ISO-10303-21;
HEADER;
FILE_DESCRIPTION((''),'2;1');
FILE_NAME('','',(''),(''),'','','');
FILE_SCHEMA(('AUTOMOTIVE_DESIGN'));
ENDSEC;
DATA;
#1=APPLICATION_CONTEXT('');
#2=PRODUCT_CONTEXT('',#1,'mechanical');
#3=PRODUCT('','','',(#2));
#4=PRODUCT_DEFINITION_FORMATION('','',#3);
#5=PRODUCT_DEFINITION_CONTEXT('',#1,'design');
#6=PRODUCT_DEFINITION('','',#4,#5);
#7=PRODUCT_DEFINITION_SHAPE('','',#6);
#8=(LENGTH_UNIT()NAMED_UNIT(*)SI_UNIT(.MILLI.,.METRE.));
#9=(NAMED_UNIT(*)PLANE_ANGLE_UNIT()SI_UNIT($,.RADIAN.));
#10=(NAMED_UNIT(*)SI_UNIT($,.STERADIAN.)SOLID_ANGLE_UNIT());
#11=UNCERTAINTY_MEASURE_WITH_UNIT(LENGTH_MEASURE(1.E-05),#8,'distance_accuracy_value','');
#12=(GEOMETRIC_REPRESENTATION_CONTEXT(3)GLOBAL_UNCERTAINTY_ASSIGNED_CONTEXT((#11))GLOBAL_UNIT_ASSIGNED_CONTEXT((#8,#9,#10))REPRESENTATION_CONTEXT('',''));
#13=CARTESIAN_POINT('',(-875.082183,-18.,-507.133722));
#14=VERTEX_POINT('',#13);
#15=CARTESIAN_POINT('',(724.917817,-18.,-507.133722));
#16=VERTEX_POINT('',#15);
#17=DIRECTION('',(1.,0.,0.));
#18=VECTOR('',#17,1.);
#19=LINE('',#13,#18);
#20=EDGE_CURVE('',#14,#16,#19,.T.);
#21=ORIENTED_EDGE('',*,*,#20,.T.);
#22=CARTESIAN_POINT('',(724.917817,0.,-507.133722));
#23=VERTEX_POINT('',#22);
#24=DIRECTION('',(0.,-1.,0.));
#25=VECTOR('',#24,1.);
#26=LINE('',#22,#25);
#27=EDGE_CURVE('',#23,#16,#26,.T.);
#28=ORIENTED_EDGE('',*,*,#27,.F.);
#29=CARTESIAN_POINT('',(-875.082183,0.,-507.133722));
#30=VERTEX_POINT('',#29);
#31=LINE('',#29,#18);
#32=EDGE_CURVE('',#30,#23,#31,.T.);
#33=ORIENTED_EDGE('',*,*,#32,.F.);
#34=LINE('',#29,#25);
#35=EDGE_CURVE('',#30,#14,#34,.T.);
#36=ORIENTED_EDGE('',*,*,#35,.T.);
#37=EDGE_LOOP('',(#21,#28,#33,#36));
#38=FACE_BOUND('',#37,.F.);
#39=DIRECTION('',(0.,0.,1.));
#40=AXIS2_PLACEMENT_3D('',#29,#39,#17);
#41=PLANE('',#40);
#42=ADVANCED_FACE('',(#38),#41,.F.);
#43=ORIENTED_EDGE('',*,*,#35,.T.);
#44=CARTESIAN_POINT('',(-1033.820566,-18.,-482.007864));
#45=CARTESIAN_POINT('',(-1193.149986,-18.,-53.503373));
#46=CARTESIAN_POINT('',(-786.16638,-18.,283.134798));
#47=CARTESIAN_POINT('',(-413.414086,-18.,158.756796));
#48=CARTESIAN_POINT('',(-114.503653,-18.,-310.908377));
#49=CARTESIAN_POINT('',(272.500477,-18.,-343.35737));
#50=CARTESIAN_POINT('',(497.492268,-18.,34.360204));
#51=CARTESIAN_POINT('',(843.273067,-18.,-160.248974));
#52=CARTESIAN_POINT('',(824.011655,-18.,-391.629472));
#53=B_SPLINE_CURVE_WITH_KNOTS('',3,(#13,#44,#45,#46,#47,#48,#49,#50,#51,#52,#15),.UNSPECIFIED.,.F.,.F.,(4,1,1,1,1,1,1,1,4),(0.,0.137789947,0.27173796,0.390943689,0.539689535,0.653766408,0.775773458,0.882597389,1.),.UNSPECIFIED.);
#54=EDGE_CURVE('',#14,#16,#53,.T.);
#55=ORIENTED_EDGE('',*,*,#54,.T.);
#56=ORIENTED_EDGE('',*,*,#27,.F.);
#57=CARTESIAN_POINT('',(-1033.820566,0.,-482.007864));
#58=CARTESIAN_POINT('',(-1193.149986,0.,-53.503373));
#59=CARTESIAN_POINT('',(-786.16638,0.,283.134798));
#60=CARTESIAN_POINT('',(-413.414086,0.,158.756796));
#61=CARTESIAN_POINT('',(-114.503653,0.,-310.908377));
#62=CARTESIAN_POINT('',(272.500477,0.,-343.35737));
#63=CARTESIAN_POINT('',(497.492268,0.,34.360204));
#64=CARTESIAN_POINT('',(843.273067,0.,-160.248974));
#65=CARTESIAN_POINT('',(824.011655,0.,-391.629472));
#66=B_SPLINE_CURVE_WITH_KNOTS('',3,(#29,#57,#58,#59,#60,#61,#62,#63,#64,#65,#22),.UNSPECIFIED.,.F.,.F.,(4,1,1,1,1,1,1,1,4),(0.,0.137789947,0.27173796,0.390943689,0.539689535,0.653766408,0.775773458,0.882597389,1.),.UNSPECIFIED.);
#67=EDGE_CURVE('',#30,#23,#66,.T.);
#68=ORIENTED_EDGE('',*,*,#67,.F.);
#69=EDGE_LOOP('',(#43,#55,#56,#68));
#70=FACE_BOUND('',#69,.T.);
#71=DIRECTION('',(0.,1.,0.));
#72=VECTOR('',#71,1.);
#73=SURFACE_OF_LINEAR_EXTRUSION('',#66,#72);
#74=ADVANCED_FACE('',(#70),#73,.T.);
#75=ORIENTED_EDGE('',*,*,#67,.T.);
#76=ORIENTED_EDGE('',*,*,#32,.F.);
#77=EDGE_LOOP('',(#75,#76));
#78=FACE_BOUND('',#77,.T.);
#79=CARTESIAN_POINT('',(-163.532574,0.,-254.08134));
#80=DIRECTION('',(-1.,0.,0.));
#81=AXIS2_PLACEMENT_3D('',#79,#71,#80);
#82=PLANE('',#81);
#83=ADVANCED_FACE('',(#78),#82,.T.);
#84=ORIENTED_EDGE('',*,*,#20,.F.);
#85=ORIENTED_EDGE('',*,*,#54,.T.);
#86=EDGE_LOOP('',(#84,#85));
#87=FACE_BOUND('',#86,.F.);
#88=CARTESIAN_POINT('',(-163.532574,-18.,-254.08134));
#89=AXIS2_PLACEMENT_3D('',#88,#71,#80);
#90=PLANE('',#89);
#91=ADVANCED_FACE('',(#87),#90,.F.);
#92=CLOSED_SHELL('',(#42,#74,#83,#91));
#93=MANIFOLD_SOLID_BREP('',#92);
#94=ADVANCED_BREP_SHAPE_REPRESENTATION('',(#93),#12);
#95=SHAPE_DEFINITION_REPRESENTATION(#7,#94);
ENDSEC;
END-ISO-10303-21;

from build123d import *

# Parameters (mm, degrees)
F1_DEPTH = 18


with BuildPart() as f1:
    # F0 (on Front) → F1 (new body)
    with BuildSketch(Plane.XZ):
        with BuildLine():
            add(Edge.make_bspline(
                [(-875.0821828842, -507.1337223053), (-1033.8205664671, -482.0078641954), (-1193.1499860078, -53.503372842), (-786.1663796283, 283.1347978387), (-413.4140863946, 158.7567959942), (-114.5036533402, -310.9083765032), (272.500476626, -343.357369587), (497.4922680202, 34.360204402), (843.2730666805, -160.2489737379), (824.0116547259, -391.6294716594), (724.9178171158, -507.1337223053)],
                knots=[0, 0, 0, 0, 0.1377899472, 0.2717379597, 0.3909436888, 0.5396895354, 0.6537664083, 0.7757734575, 0.882597389, 1, 1, 1, 1], degree=3))
            Line((-875.0821828842, -507.1337223053), (724.9178171158, -507.1337223053))
        make_face()
    extrude(amount=F1_DEPTH)


solid = f1.part
